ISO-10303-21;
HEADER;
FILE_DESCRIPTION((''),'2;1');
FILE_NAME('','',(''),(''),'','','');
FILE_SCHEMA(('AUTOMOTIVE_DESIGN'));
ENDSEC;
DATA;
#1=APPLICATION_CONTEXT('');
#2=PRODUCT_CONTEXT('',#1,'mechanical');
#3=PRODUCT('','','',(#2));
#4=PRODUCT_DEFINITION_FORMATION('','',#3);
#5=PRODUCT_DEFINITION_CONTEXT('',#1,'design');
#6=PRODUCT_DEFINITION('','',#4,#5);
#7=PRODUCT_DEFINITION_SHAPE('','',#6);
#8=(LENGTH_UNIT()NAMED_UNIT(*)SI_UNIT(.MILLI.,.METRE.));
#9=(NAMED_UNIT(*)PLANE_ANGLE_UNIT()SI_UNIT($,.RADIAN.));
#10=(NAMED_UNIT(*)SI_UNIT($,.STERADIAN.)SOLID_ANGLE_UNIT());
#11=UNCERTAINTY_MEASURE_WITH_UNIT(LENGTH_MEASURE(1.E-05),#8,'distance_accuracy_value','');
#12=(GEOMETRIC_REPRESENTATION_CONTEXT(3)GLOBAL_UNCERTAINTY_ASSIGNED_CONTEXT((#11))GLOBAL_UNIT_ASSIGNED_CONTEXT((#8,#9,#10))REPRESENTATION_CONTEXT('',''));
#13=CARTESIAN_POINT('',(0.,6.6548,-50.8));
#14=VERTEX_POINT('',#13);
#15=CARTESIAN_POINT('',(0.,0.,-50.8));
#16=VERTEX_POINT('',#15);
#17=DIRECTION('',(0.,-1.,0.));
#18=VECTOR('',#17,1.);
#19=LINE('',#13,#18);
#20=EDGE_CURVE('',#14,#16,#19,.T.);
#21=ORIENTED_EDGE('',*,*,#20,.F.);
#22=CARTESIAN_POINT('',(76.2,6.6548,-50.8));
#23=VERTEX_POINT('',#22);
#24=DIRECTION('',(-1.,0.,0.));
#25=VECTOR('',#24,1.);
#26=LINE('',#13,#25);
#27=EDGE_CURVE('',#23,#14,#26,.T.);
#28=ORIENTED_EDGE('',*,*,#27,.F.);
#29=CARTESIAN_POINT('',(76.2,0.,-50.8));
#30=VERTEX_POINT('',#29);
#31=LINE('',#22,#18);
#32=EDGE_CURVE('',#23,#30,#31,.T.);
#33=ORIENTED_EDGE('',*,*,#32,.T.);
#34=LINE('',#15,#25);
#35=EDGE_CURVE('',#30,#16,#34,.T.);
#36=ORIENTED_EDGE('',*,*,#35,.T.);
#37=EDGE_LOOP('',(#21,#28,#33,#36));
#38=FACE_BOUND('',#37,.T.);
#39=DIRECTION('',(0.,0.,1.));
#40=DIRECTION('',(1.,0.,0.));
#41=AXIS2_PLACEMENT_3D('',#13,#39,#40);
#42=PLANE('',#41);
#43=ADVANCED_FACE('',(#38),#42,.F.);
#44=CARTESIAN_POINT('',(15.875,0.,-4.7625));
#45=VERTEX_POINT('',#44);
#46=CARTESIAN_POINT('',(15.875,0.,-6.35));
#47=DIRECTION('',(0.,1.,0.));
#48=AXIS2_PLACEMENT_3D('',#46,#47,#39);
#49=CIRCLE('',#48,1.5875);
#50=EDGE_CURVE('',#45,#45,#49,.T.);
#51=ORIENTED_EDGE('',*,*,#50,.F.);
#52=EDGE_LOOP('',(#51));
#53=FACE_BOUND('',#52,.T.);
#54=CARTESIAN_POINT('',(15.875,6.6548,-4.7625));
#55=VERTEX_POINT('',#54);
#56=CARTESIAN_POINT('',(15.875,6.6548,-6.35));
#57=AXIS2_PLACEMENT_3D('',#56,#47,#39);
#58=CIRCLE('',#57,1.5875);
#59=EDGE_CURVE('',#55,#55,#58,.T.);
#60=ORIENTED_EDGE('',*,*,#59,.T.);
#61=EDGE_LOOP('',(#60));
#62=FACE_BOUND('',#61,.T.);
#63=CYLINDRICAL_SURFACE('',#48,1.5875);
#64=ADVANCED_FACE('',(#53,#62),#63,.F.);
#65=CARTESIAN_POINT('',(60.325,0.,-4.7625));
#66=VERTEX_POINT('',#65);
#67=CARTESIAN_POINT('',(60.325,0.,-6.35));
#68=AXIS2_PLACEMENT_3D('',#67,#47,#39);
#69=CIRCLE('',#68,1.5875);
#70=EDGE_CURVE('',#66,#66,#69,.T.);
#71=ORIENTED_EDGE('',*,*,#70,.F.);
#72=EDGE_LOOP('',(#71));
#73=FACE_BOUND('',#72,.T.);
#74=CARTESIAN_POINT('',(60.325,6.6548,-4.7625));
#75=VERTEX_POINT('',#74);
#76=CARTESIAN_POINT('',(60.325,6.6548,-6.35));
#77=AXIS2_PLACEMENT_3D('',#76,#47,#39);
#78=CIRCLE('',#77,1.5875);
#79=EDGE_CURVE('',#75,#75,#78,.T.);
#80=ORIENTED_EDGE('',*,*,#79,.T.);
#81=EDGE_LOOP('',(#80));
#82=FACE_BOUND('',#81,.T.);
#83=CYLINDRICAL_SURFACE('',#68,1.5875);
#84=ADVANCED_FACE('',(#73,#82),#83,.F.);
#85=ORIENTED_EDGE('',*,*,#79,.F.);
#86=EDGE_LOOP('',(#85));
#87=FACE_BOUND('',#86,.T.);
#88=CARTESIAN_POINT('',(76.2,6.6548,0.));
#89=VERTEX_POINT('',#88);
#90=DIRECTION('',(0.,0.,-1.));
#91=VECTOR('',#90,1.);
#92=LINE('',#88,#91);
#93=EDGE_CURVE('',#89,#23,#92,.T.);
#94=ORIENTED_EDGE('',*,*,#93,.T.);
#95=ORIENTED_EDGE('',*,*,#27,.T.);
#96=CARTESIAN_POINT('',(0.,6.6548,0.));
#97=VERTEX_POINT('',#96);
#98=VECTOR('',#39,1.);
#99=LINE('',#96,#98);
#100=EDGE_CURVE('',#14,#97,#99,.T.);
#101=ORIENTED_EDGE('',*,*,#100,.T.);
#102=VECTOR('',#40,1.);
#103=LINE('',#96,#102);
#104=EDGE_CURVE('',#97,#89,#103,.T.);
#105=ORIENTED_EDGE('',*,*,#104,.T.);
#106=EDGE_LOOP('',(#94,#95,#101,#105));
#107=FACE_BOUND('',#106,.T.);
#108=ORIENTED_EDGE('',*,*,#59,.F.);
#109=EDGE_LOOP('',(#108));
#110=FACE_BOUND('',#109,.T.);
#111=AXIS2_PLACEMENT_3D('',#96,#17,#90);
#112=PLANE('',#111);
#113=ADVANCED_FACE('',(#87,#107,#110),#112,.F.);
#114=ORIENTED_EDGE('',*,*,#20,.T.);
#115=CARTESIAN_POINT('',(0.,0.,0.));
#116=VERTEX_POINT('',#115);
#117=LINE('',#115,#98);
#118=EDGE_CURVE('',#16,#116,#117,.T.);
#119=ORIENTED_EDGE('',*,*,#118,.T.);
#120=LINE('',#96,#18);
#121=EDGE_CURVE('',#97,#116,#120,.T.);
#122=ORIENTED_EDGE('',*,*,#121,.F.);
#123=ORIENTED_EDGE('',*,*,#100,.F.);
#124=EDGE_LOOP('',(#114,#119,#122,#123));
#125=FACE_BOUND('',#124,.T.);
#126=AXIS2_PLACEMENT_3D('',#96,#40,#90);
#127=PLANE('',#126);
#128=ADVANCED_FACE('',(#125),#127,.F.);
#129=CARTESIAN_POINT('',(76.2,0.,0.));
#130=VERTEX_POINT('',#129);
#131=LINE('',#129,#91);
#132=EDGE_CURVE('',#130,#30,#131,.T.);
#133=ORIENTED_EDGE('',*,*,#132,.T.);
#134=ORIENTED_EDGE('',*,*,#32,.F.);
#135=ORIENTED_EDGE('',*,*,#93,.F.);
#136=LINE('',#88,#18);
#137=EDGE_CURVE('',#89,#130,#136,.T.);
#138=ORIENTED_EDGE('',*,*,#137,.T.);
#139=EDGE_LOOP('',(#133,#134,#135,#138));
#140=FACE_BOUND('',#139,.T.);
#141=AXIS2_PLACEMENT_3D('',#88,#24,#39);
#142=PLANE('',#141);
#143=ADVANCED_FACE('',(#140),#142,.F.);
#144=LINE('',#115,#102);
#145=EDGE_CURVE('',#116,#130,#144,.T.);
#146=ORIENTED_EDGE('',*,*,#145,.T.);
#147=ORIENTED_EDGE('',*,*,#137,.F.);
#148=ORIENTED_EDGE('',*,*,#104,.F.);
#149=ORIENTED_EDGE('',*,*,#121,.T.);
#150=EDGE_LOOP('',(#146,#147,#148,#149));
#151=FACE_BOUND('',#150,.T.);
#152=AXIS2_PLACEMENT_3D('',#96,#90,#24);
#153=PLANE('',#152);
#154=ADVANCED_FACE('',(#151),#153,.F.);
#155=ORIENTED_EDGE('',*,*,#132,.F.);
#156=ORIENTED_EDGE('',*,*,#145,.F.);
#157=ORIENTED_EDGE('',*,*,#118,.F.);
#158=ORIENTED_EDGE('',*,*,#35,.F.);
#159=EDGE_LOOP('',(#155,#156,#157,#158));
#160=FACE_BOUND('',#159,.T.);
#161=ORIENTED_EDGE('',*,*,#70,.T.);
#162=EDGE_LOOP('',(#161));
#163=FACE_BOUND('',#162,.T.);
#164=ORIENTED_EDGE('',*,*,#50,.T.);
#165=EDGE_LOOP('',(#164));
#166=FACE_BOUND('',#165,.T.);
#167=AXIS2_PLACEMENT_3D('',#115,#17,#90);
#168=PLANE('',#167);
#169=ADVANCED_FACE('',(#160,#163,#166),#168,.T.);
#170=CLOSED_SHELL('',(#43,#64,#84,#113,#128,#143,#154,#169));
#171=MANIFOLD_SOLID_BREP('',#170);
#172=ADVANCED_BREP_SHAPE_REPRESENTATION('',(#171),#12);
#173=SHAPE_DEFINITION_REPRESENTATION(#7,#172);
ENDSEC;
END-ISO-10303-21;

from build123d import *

# Parameters (mm, degrees)
SKETCH1_W           = 76.2
SKETCH1_H           = 50.8
BOSS_EXTRUDE1_DEPTH = 6.6548
SKETCH2_R           = 1.5875
CUT_EXTRUDE1_DEPTH  = 92.822471994


with BuildPart() as part:
    # Sketch1 → Boss-Extrude1 (new body)
    with BuildSketch(Plane(origin=(0, 0, 0), x_dir=(1, 0, 0), z_dir=(0, 1, 0))):
        with Locations((38.1, 25.4)):
            Rectangle(SKETCH1_W, SKETCH1_H)
    extrude(amount=BOSS_EXTRUDE1_DEPTH)

    # Sketch2 → Cut-Extrude1 (cut, through all)
    with BuildSketch(Plane(origin=(0, 6.6548, 0), x_dir=(1, 0, 0), z_dir=(0, 1, 0))):
        with Locations(Location((15.875, 6.35, 0), (0, 0, 270))):
            Circle(SKETCH2_R)
        with Locations(Location((60.325, 6.35, 0), (0, 0, 270))):
            Circle(SKETCH2_R)
    extrude(amount=-CUT_EXTRUDE1_DEPTH, mode=Mode.SUBTRACT)


solid = part.part
